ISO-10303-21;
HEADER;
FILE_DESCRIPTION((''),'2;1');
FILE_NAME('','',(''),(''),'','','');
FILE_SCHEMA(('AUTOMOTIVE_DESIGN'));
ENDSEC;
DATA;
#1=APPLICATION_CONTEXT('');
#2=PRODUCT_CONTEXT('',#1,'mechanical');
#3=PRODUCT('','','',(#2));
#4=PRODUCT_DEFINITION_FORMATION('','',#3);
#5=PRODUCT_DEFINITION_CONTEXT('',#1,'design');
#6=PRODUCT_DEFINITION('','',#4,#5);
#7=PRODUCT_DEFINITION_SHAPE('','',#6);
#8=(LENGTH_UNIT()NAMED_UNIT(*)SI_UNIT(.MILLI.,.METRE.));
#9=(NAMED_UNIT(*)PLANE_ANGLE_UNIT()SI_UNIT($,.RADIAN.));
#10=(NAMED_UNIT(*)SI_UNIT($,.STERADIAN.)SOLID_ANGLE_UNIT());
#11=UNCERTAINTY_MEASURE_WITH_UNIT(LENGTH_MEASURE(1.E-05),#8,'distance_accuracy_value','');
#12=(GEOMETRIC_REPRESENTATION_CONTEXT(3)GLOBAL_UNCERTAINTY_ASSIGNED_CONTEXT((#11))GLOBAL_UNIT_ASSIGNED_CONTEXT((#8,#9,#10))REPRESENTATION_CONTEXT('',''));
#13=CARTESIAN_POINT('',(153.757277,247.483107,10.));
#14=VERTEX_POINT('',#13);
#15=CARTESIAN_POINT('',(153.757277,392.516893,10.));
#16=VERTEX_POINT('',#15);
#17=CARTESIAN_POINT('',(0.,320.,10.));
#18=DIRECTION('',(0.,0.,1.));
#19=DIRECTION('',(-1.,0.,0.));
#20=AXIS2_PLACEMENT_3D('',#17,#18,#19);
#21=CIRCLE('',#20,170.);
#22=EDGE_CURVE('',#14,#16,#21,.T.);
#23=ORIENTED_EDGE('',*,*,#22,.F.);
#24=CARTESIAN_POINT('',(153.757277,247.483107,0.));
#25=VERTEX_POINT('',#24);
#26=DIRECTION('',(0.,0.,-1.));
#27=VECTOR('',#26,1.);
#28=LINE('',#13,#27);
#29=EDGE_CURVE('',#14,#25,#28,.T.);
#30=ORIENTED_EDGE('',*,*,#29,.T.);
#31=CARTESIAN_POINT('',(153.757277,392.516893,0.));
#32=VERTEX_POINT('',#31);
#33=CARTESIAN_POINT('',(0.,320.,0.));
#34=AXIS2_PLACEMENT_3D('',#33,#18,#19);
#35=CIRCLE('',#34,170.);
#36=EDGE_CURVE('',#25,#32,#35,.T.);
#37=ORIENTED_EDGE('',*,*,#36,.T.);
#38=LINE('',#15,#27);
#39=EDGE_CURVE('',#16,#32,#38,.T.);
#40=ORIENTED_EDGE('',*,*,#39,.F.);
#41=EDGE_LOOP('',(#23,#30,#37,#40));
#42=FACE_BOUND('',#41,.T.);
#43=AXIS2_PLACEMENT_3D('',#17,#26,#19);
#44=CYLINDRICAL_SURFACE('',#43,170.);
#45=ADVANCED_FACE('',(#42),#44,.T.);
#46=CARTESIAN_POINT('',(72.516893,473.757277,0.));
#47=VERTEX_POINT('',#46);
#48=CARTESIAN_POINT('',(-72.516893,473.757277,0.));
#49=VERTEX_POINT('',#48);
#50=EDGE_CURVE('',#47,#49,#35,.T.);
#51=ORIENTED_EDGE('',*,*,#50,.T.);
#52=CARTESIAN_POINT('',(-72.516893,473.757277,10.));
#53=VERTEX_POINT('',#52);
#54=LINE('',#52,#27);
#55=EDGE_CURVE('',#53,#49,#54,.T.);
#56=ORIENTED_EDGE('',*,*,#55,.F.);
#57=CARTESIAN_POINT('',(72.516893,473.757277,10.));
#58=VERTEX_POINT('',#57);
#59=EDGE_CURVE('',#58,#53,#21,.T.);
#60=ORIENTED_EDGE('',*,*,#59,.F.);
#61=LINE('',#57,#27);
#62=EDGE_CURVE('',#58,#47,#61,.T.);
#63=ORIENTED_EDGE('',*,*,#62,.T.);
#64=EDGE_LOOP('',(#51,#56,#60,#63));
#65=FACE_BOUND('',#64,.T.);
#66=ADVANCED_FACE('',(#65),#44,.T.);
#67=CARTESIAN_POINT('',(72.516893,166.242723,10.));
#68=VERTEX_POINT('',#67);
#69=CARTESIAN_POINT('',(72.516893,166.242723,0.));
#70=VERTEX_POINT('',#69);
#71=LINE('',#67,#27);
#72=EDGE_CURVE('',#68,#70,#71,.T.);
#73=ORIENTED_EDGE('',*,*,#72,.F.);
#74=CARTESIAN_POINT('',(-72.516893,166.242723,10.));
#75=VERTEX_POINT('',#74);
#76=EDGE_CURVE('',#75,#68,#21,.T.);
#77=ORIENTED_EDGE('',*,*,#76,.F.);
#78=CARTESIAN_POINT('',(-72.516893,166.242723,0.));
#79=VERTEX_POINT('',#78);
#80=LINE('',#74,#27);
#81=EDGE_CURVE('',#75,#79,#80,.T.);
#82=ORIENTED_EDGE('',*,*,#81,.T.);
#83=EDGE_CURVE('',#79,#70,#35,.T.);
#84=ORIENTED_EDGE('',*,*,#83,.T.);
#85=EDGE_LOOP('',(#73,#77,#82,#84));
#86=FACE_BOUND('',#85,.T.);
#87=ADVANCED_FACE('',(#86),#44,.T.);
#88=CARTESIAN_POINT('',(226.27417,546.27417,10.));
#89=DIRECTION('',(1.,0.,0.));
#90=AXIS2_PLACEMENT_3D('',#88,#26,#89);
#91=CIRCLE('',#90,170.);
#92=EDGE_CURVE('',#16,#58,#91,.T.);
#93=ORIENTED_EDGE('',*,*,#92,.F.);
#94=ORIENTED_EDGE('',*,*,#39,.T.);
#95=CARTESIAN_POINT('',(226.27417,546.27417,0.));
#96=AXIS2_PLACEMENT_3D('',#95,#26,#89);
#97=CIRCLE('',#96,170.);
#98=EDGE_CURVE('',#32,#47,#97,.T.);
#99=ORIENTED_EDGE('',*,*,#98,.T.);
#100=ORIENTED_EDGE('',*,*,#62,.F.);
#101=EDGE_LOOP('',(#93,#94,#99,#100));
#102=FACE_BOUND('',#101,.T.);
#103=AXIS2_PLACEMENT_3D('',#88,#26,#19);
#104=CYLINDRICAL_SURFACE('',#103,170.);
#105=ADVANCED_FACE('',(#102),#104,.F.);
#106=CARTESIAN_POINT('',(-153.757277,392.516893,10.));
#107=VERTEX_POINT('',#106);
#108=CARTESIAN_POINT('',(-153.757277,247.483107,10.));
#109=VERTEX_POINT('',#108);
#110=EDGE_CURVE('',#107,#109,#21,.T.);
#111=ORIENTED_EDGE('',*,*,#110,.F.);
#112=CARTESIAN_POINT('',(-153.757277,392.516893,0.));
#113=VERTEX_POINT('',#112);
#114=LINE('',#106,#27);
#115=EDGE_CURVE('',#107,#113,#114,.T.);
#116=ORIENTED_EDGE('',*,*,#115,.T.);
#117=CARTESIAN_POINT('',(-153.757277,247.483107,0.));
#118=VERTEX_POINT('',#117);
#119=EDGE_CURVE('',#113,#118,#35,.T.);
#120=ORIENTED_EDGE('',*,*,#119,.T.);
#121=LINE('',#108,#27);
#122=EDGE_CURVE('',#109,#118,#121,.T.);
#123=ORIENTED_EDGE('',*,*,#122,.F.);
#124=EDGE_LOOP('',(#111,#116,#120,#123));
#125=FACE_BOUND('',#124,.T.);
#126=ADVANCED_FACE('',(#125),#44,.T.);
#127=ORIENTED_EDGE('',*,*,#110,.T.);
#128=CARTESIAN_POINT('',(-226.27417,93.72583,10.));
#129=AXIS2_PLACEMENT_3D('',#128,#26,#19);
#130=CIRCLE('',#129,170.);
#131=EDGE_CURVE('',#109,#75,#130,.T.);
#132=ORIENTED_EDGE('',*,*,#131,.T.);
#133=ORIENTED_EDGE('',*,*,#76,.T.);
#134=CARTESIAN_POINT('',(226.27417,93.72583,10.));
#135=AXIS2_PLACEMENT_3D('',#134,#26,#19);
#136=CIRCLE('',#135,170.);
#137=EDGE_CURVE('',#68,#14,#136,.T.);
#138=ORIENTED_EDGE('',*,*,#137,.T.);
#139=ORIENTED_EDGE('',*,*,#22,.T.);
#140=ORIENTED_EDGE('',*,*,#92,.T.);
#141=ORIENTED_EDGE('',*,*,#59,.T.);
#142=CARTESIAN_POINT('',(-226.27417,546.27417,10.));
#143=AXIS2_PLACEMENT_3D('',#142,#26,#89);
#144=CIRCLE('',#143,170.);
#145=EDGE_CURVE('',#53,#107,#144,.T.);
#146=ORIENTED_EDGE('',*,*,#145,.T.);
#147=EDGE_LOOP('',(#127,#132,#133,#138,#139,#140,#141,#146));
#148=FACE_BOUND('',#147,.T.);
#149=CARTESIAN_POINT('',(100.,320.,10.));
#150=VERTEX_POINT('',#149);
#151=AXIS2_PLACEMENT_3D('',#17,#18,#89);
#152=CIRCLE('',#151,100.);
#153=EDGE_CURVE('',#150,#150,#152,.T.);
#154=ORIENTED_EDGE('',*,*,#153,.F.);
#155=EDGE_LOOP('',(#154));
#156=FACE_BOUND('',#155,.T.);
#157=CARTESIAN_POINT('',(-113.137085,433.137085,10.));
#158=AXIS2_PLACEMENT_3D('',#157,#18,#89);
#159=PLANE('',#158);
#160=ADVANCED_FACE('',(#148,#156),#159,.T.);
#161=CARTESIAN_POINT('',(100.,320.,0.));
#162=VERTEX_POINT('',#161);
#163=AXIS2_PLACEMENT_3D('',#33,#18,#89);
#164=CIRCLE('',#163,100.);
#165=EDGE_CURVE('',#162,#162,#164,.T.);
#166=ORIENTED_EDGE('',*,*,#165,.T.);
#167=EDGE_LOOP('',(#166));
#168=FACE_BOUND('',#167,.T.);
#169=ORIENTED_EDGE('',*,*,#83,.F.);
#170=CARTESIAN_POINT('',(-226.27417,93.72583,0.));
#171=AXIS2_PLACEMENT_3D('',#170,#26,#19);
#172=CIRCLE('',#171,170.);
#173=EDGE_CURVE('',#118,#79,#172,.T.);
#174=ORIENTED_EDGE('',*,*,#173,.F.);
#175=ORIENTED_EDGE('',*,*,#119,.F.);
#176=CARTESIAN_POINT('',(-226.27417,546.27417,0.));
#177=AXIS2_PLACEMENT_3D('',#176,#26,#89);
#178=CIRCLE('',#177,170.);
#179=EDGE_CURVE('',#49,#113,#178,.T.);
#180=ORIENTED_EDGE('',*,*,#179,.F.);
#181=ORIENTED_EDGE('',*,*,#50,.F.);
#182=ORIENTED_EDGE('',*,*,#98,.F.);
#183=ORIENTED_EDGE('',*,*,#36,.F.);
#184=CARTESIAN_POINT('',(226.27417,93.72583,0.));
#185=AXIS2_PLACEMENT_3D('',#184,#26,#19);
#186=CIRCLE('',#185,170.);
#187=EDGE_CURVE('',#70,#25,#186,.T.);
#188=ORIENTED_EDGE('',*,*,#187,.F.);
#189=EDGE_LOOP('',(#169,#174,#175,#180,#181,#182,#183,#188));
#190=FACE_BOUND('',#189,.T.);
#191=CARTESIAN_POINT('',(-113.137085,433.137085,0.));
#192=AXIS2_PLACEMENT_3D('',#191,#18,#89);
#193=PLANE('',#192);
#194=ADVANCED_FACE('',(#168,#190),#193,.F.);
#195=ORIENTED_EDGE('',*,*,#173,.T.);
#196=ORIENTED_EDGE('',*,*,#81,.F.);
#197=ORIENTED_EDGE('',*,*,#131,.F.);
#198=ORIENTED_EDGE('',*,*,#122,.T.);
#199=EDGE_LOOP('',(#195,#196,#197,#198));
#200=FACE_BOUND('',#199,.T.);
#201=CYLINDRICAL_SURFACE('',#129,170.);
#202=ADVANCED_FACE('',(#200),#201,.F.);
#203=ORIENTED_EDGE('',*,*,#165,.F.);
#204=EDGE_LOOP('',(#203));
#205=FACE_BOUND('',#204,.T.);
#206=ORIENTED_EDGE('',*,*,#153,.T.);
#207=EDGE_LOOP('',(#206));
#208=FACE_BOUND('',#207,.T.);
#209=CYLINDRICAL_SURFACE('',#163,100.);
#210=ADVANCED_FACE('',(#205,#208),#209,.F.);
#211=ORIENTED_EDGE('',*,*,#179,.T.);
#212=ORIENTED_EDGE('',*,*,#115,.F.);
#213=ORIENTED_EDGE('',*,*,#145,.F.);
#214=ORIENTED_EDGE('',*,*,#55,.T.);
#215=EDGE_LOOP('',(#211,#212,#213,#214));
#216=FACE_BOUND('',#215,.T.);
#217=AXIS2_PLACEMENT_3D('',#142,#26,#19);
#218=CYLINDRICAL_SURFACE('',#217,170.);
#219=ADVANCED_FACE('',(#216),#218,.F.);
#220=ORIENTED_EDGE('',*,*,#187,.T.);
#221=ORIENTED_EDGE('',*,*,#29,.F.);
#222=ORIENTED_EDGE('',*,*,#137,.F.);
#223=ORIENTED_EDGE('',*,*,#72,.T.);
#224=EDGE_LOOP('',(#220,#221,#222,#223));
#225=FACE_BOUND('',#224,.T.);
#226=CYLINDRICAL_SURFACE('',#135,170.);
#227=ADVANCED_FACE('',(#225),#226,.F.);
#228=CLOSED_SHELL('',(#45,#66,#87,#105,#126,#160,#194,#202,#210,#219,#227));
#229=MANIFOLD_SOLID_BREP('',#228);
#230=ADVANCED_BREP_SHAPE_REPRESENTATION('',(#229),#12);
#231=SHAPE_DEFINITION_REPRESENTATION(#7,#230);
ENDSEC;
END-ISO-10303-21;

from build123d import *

# Parameters (mm, degrees)
SALIENTE_EXTRUIR1_DEPTH = 10
CROQUIS2_R              = 100
CORTAR_EXTRUIR1_DEPTH   = 10


with BuildPart() as part:
    # Croquis1 → Saliente-Extruir1 (new body)
    with BuildSketch(Plane.XY):
        with BuildLine():
            ThreePointArc((-72.516892967, 473.757277013), (0, 490), (72.516892967, 473.757277013))
            ThreePointArc((72.516892967, 473.757277013), (106.066017178, 426.066017178), (153.757277013, 392.516892967))
            ThreePointArc((153.757277013, 392.516892967), (170, 320), (153.757277013, 247.483107033))
            ThreePointArc((153.757277013, 247.483107033), (106.066017178, 213.933982822), (72.516892967, 166.242722987))
            ThreePointArc((72.516892967, 166.242722987), (0, 150), (-72.516892967, 166.242722987))
            ThreePointArc((-72.516892967, 166.242722987), (-106.066017178, 213.933982822), (-153.757277013, 247.483107033))
            ThreePointArc((-153.757277013, 247.483107033), (-170, 320), (-153.757277013, 392.516892967))
            ThreePointArc((-153.757277013, 392.516892967), (-106.066017178, 426.066017178), (-72.516892967, 473.757277013))
        make_face()
    extrude(amount=SALIENTE_EXTRUIR1_DEPTH)

    # Croquis2 → Cortar-Extruir1 (cut)
    with BuildSketch(Plane.XY.offset(10)):
        with Locations((0, 320)):
            Circle(CROQUIS2_R)
    extrude(amount=-CORTAR_EXTRUIR1_DEPTH, mode=Mode.SUBTRACT)


solid = part.part
